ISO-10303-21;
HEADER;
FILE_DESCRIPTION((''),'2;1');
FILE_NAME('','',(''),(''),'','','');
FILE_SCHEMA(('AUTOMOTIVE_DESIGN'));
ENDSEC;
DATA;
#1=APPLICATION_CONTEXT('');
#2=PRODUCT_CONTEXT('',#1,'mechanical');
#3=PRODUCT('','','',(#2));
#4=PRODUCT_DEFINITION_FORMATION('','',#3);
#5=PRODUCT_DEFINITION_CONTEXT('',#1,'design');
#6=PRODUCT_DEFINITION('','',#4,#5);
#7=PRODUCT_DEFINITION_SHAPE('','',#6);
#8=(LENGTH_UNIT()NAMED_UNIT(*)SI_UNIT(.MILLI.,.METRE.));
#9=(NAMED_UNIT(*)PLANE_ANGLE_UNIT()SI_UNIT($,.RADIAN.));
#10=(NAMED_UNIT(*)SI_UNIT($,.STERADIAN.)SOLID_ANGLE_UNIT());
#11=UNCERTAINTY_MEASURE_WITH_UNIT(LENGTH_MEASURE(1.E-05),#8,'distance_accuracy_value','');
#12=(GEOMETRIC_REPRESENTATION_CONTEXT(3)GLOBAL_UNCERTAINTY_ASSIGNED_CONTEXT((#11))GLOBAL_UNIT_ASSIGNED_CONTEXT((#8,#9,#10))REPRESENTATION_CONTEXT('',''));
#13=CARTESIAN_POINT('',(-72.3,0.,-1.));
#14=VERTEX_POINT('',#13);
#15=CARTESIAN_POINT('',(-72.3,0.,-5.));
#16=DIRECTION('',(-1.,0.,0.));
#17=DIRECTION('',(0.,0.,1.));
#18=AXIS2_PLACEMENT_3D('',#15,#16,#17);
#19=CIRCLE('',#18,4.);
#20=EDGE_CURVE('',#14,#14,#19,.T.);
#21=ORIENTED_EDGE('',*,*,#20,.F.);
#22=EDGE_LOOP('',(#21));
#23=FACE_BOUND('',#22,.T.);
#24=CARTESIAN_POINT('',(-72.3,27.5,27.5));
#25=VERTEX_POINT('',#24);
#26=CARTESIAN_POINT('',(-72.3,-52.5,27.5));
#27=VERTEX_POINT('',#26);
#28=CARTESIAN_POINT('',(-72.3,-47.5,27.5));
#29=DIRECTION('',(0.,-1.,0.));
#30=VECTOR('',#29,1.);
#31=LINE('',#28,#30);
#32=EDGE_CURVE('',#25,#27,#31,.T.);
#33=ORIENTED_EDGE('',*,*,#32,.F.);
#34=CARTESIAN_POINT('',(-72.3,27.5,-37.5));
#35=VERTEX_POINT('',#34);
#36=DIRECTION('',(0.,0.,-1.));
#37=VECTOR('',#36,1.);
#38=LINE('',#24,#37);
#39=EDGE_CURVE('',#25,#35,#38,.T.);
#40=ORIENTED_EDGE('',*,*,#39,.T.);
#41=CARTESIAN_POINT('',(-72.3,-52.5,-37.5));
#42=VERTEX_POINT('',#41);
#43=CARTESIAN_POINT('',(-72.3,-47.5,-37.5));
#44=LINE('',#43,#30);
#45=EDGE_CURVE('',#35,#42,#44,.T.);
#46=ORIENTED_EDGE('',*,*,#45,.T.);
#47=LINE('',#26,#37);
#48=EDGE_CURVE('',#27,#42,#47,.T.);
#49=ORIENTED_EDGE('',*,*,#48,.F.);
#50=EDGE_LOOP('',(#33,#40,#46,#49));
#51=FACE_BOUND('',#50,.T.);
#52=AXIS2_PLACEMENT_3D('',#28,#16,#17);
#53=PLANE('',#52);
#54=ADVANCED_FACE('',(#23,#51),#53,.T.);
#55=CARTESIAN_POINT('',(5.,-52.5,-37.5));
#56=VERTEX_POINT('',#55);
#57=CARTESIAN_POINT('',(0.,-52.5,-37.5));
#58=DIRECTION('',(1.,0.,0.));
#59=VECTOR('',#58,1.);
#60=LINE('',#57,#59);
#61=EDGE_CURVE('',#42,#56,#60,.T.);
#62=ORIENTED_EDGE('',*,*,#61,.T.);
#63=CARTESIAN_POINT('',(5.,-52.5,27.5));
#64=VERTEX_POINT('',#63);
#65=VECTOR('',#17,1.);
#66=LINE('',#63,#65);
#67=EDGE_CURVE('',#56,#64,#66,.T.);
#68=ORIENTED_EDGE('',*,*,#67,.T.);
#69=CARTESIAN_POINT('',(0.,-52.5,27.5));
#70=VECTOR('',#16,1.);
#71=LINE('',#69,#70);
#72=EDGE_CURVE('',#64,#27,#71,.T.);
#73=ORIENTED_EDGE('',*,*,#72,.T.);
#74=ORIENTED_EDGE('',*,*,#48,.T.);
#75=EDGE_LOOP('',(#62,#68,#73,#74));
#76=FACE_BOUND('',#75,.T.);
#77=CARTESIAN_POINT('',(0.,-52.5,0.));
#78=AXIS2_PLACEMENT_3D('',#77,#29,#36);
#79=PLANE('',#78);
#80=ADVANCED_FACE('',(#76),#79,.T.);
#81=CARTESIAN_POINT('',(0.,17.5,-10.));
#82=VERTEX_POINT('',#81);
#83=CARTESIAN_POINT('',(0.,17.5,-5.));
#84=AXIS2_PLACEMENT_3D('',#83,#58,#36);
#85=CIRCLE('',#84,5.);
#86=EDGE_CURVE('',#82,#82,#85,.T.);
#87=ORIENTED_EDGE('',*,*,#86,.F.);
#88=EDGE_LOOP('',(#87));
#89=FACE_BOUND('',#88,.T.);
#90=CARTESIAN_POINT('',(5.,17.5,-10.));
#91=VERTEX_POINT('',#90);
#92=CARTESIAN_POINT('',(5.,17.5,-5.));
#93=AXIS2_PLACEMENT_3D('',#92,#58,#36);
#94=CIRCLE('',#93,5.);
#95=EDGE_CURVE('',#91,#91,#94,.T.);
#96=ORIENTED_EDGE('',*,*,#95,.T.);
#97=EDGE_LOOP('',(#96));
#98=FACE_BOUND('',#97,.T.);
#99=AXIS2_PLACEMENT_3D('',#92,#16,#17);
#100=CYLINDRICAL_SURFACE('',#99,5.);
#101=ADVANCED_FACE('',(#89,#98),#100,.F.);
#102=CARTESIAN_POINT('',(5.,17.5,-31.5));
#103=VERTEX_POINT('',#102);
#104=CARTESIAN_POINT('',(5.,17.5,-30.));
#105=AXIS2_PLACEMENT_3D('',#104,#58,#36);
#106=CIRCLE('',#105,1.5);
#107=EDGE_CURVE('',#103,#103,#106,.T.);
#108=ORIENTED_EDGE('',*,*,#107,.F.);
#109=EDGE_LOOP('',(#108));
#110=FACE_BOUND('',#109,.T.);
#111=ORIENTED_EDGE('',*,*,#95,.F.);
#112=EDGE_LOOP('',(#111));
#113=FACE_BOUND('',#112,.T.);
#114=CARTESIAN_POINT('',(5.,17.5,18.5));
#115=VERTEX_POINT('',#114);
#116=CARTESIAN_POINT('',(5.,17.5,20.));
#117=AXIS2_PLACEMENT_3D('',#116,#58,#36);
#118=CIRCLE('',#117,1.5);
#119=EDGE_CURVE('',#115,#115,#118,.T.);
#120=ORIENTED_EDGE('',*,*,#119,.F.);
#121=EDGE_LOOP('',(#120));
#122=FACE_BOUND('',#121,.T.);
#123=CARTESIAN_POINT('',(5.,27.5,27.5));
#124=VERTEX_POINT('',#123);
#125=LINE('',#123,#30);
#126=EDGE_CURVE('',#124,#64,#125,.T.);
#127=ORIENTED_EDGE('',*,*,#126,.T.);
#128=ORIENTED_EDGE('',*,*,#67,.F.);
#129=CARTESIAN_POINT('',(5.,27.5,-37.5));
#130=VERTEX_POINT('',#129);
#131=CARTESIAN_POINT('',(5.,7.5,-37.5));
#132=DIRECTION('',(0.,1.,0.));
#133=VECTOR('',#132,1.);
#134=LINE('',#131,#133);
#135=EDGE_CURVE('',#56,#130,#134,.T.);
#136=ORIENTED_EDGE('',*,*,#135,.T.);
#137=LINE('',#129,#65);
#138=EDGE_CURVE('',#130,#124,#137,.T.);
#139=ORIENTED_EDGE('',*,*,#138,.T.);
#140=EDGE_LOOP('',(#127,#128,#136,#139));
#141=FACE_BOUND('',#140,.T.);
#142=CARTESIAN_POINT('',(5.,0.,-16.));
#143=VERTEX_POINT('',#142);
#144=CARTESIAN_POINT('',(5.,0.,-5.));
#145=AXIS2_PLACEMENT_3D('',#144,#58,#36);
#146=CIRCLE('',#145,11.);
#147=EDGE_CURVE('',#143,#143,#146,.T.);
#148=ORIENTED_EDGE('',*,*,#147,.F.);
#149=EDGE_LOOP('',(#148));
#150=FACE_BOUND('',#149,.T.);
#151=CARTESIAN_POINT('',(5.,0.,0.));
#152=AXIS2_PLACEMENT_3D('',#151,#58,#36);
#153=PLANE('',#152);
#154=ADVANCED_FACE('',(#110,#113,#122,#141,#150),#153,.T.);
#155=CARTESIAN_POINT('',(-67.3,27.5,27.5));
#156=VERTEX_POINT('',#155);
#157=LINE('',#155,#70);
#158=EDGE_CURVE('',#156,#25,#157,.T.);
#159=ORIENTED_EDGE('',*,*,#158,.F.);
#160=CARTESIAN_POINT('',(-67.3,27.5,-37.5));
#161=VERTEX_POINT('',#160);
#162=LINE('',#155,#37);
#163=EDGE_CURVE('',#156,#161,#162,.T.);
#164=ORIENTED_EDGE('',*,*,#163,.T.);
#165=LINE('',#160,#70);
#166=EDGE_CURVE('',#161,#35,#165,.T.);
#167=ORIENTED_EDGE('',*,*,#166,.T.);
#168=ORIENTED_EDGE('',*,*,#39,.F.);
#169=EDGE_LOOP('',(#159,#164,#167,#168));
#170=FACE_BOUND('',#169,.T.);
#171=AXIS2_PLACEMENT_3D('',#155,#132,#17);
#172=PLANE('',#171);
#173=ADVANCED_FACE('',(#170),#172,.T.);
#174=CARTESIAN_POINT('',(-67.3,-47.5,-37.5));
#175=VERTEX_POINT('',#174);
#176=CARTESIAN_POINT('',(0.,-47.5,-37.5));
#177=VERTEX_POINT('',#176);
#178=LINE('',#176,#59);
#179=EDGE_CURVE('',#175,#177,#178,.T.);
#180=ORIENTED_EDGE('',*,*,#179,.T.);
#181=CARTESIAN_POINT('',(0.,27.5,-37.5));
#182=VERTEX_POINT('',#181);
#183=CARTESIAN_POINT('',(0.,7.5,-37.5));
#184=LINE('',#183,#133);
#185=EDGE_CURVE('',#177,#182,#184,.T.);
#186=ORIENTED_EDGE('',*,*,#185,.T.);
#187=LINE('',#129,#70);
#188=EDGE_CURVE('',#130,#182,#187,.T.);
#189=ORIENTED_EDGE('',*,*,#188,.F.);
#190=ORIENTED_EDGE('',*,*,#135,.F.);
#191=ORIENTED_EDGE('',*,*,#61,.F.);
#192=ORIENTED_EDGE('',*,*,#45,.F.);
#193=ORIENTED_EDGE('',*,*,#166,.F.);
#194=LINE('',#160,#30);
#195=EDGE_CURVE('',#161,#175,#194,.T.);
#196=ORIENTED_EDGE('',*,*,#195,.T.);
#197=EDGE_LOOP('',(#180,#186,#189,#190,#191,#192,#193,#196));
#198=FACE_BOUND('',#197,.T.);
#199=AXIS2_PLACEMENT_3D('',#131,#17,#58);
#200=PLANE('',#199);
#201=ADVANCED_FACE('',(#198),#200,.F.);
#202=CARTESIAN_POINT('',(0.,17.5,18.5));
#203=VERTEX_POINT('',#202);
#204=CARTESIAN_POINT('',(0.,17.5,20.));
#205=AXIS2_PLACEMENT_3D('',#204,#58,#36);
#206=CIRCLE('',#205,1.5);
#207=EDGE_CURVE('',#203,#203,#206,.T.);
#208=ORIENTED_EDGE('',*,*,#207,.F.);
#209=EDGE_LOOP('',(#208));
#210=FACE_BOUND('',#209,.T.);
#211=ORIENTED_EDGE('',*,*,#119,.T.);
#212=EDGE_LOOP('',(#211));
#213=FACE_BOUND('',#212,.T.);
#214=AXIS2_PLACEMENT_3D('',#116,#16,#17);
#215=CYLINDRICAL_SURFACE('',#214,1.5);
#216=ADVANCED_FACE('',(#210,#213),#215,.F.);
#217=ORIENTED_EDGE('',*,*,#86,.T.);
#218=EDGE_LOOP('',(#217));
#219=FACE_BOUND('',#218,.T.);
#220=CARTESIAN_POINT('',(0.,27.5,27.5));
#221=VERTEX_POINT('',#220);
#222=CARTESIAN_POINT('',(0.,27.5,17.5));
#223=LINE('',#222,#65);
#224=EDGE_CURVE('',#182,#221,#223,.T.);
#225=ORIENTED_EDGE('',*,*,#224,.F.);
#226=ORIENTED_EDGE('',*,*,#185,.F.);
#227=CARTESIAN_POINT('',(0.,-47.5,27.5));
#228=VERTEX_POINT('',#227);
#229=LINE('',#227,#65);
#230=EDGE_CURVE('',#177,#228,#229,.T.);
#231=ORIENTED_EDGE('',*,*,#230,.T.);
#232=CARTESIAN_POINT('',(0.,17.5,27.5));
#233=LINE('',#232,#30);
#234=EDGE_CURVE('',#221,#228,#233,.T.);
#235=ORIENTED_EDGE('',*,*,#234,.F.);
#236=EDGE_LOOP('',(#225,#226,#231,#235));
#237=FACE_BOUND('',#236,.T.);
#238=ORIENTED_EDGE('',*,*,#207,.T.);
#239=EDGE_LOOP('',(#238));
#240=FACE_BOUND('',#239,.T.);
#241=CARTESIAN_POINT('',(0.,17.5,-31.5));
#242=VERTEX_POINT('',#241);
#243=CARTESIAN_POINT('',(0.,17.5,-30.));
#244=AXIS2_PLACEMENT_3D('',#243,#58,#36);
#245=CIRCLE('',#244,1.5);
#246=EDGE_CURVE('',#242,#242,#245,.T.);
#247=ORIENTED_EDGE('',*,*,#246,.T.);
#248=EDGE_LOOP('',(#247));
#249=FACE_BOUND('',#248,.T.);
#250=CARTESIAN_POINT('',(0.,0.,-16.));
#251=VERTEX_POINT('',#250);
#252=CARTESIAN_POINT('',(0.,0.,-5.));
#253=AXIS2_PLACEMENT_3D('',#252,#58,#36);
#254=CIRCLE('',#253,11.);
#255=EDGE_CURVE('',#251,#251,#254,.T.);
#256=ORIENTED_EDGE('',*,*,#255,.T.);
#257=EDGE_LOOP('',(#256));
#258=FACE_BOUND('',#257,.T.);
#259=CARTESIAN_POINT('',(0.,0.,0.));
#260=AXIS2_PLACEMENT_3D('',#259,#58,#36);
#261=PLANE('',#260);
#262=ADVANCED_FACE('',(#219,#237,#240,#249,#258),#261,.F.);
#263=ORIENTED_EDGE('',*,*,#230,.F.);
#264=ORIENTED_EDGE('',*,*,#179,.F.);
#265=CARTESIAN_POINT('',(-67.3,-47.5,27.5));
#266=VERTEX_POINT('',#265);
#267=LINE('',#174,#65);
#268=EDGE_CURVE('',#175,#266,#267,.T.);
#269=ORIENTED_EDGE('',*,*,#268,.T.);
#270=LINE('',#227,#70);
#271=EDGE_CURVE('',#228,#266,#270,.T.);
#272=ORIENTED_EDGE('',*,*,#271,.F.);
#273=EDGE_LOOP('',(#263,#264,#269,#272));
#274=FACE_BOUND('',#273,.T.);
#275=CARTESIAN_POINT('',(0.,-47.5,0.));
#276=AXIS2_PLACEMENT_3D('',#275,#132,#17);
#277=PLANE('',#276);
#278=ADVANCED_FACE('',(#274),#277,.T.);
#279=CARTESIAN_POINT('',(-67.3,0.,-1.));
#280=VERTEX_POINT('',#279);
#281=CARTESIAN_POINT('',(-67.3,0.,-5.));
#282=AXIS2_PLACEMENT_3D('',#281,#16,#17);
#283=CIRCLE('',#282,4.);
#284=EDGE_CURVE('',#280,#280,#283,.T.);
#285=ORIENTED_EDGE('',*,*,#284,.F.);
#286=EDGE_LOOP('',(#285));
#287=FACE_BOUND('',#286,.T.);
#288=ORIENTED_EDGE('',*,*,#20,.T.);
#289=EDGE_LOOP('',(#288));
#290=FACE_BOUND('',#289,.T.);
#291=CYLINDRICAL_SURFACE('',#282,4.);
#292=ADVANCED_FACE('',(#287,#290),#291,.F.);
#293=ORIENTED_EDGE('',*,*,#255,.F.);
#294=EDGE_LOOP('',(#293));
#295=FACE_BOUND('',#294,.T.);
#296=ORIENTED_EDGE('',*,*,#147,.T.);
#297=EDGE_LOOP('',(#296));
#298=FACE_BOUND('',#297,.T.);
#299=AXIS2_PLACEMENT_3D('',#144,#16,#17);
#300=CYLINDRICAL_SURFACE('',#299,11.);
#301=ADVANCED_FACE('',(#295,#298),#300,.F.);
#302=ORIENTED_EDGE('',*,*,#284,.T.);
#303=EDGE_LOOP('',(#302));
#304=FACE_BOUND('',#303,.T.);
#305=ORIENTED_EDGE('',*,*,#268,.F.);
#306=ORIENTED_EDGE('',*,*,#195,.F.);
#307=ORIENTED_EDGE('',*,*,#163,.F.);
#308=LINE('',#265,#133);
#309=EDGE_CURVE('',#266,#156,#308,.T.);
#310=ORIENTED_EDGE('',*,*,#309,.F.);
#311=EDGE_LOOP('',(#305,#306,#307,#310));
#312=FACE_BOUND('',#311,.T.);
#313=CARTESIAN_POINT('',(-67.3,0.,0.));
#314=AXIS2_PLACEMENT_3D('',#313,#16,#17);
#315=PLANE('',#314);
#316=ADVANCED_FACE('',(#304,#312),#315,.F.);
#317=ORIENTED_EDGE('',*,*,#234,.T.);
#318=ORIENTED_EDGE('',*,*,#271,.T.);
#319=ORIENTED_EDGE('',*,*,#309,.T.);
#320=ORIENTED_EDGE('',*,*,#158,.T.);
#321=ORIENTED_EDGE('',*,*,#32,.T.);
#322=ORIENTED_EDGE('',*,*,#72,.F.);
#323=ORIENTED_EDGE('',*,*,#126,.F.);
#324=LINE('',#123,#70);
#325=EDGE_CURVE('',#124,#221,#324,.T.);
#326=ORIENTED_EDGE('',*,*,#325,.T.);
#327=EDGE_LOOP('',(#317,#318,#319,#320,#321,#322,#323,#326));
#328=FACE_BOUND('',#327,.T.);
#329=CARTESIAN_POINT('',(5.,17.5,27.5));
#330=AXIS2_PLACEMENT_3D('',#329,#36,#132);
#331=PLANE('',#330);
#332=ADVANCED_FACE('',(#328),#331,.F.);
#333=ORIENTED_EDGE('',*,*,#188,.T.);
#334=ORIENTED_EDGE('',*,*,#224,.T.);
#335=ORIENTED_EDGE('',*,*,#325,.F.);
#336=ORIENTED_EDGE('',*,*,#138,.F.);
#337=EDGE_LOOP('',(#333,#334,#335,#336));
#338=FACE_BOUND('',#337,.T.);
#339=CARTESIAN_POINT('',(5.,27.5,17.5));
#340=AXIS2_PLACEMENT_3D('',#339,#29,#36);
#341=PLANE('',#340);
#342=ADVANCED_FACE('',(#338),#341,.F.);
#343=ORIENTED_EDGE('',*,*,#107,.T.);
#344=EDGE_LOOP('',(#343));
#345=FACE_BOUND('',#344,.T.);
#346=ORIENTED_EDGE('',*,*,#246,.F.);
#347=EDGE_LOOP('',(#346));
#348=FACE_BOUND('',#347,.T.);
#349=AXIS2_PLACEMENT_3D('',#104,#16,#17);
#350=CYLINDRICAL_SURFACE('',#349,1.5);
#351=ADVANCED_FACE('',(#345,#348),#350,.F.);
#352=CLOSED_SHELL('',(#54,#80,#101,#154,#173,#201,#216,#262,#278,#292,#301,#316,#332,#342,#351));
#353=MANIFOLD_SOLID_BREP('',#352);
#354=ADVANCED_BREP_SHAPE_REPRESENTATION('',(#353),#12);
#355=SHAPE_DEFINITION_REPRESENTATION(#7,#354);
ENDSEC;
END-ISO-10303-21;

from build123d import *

# Parameters (mm, degrees)
SKETCH1_R           = 11
SKETCH1_R_2         = 5
SKETCH1_R_3         = 1.5
BOSS_EXTRUDE1_DEPTH = 5
SKETCH2_W           = 5
SKETCH2_H           = 65
BOSS_EXTRUDE2_DEPTH = 25
SKETCH3_W           = 72.3
SKETCH3_H           = 65
BOSS_EXTRUDE3_DEPTH = 5
SKETCH4_W           = 65
SKETCH4_H           = 75
SKETCH4_R           = 4
BOSS_EXTRUDE4_DEPTH = 5


with BuildPart() as part:
    # Sketch1 → Boss-Extrude1 (new body)
    with BuildSketch(Plane(origin=(0, 0, 0), x_dir=(0, 0, -1), z_dir=(1, 0, 0))):
        Polygon((-17.5, 27.5), (-27.5, 27.5), (-27.5, 17.5), (-27.5, -27.5), (37.5, -27.5), (37.5, 7.5), (37.5, 27.5), (17.5, 27.5), align=None)
        with Locations((5, 0)):
            Circle(SKETCH1_R, mode=Mode.SUBTRACT)
        with Locations((5, 17.5)):
            Circle(SKETCH1_R_2, mode=Mode.SUBTRACT)
        with Locations((30, 17.5)):
            Circle(SKETCH1_R_3, mode=Mode.SUBTRACT)
        with Locations((-20, 17.5)):
            Circle(SKETCH1_R_3, mode=Mode.SUBTRACT)
    extrude(amount=BOSS_EXTRUDE1_DEPTH)

    # Sketch2 → Boss-Extrude2 (add)
    with BuildSketch(Plane.XZ.offset(27.5)):
        with Locations((2.5, -5)):
            Rectangle(SKETCH2_W, SKETCH2_H)
    extrude(amount=BOSS_EXTRUDE2_DEPTH)

    # Sketch3 → Boss-Extrude3 (add)
    with BuildSketch(Plane.XZ.offset(52.5)):
        with Locations((-36.15, -5)):
            Rectangle(SKETCH3_W, SKETCH3_H)
    extrude(amount=-BOSS_EXTRUDE3_DEPTH)

    # Sketch4 → Boss-Extrude4 (add)
    with BuildSketch(Plane.ZY.offset(72.3)):
        with Locations((-5, -10)):
            Rectangle(SKETCH4_W, SKETCH4_H)
        with Locations((-5, 0)):
            Circle(SKETCH4_R, mode=Mode.SUBTRACT)
    extrude(amount=-BOSS_EXTRUDE4_DEPTH)


solid = part.part
